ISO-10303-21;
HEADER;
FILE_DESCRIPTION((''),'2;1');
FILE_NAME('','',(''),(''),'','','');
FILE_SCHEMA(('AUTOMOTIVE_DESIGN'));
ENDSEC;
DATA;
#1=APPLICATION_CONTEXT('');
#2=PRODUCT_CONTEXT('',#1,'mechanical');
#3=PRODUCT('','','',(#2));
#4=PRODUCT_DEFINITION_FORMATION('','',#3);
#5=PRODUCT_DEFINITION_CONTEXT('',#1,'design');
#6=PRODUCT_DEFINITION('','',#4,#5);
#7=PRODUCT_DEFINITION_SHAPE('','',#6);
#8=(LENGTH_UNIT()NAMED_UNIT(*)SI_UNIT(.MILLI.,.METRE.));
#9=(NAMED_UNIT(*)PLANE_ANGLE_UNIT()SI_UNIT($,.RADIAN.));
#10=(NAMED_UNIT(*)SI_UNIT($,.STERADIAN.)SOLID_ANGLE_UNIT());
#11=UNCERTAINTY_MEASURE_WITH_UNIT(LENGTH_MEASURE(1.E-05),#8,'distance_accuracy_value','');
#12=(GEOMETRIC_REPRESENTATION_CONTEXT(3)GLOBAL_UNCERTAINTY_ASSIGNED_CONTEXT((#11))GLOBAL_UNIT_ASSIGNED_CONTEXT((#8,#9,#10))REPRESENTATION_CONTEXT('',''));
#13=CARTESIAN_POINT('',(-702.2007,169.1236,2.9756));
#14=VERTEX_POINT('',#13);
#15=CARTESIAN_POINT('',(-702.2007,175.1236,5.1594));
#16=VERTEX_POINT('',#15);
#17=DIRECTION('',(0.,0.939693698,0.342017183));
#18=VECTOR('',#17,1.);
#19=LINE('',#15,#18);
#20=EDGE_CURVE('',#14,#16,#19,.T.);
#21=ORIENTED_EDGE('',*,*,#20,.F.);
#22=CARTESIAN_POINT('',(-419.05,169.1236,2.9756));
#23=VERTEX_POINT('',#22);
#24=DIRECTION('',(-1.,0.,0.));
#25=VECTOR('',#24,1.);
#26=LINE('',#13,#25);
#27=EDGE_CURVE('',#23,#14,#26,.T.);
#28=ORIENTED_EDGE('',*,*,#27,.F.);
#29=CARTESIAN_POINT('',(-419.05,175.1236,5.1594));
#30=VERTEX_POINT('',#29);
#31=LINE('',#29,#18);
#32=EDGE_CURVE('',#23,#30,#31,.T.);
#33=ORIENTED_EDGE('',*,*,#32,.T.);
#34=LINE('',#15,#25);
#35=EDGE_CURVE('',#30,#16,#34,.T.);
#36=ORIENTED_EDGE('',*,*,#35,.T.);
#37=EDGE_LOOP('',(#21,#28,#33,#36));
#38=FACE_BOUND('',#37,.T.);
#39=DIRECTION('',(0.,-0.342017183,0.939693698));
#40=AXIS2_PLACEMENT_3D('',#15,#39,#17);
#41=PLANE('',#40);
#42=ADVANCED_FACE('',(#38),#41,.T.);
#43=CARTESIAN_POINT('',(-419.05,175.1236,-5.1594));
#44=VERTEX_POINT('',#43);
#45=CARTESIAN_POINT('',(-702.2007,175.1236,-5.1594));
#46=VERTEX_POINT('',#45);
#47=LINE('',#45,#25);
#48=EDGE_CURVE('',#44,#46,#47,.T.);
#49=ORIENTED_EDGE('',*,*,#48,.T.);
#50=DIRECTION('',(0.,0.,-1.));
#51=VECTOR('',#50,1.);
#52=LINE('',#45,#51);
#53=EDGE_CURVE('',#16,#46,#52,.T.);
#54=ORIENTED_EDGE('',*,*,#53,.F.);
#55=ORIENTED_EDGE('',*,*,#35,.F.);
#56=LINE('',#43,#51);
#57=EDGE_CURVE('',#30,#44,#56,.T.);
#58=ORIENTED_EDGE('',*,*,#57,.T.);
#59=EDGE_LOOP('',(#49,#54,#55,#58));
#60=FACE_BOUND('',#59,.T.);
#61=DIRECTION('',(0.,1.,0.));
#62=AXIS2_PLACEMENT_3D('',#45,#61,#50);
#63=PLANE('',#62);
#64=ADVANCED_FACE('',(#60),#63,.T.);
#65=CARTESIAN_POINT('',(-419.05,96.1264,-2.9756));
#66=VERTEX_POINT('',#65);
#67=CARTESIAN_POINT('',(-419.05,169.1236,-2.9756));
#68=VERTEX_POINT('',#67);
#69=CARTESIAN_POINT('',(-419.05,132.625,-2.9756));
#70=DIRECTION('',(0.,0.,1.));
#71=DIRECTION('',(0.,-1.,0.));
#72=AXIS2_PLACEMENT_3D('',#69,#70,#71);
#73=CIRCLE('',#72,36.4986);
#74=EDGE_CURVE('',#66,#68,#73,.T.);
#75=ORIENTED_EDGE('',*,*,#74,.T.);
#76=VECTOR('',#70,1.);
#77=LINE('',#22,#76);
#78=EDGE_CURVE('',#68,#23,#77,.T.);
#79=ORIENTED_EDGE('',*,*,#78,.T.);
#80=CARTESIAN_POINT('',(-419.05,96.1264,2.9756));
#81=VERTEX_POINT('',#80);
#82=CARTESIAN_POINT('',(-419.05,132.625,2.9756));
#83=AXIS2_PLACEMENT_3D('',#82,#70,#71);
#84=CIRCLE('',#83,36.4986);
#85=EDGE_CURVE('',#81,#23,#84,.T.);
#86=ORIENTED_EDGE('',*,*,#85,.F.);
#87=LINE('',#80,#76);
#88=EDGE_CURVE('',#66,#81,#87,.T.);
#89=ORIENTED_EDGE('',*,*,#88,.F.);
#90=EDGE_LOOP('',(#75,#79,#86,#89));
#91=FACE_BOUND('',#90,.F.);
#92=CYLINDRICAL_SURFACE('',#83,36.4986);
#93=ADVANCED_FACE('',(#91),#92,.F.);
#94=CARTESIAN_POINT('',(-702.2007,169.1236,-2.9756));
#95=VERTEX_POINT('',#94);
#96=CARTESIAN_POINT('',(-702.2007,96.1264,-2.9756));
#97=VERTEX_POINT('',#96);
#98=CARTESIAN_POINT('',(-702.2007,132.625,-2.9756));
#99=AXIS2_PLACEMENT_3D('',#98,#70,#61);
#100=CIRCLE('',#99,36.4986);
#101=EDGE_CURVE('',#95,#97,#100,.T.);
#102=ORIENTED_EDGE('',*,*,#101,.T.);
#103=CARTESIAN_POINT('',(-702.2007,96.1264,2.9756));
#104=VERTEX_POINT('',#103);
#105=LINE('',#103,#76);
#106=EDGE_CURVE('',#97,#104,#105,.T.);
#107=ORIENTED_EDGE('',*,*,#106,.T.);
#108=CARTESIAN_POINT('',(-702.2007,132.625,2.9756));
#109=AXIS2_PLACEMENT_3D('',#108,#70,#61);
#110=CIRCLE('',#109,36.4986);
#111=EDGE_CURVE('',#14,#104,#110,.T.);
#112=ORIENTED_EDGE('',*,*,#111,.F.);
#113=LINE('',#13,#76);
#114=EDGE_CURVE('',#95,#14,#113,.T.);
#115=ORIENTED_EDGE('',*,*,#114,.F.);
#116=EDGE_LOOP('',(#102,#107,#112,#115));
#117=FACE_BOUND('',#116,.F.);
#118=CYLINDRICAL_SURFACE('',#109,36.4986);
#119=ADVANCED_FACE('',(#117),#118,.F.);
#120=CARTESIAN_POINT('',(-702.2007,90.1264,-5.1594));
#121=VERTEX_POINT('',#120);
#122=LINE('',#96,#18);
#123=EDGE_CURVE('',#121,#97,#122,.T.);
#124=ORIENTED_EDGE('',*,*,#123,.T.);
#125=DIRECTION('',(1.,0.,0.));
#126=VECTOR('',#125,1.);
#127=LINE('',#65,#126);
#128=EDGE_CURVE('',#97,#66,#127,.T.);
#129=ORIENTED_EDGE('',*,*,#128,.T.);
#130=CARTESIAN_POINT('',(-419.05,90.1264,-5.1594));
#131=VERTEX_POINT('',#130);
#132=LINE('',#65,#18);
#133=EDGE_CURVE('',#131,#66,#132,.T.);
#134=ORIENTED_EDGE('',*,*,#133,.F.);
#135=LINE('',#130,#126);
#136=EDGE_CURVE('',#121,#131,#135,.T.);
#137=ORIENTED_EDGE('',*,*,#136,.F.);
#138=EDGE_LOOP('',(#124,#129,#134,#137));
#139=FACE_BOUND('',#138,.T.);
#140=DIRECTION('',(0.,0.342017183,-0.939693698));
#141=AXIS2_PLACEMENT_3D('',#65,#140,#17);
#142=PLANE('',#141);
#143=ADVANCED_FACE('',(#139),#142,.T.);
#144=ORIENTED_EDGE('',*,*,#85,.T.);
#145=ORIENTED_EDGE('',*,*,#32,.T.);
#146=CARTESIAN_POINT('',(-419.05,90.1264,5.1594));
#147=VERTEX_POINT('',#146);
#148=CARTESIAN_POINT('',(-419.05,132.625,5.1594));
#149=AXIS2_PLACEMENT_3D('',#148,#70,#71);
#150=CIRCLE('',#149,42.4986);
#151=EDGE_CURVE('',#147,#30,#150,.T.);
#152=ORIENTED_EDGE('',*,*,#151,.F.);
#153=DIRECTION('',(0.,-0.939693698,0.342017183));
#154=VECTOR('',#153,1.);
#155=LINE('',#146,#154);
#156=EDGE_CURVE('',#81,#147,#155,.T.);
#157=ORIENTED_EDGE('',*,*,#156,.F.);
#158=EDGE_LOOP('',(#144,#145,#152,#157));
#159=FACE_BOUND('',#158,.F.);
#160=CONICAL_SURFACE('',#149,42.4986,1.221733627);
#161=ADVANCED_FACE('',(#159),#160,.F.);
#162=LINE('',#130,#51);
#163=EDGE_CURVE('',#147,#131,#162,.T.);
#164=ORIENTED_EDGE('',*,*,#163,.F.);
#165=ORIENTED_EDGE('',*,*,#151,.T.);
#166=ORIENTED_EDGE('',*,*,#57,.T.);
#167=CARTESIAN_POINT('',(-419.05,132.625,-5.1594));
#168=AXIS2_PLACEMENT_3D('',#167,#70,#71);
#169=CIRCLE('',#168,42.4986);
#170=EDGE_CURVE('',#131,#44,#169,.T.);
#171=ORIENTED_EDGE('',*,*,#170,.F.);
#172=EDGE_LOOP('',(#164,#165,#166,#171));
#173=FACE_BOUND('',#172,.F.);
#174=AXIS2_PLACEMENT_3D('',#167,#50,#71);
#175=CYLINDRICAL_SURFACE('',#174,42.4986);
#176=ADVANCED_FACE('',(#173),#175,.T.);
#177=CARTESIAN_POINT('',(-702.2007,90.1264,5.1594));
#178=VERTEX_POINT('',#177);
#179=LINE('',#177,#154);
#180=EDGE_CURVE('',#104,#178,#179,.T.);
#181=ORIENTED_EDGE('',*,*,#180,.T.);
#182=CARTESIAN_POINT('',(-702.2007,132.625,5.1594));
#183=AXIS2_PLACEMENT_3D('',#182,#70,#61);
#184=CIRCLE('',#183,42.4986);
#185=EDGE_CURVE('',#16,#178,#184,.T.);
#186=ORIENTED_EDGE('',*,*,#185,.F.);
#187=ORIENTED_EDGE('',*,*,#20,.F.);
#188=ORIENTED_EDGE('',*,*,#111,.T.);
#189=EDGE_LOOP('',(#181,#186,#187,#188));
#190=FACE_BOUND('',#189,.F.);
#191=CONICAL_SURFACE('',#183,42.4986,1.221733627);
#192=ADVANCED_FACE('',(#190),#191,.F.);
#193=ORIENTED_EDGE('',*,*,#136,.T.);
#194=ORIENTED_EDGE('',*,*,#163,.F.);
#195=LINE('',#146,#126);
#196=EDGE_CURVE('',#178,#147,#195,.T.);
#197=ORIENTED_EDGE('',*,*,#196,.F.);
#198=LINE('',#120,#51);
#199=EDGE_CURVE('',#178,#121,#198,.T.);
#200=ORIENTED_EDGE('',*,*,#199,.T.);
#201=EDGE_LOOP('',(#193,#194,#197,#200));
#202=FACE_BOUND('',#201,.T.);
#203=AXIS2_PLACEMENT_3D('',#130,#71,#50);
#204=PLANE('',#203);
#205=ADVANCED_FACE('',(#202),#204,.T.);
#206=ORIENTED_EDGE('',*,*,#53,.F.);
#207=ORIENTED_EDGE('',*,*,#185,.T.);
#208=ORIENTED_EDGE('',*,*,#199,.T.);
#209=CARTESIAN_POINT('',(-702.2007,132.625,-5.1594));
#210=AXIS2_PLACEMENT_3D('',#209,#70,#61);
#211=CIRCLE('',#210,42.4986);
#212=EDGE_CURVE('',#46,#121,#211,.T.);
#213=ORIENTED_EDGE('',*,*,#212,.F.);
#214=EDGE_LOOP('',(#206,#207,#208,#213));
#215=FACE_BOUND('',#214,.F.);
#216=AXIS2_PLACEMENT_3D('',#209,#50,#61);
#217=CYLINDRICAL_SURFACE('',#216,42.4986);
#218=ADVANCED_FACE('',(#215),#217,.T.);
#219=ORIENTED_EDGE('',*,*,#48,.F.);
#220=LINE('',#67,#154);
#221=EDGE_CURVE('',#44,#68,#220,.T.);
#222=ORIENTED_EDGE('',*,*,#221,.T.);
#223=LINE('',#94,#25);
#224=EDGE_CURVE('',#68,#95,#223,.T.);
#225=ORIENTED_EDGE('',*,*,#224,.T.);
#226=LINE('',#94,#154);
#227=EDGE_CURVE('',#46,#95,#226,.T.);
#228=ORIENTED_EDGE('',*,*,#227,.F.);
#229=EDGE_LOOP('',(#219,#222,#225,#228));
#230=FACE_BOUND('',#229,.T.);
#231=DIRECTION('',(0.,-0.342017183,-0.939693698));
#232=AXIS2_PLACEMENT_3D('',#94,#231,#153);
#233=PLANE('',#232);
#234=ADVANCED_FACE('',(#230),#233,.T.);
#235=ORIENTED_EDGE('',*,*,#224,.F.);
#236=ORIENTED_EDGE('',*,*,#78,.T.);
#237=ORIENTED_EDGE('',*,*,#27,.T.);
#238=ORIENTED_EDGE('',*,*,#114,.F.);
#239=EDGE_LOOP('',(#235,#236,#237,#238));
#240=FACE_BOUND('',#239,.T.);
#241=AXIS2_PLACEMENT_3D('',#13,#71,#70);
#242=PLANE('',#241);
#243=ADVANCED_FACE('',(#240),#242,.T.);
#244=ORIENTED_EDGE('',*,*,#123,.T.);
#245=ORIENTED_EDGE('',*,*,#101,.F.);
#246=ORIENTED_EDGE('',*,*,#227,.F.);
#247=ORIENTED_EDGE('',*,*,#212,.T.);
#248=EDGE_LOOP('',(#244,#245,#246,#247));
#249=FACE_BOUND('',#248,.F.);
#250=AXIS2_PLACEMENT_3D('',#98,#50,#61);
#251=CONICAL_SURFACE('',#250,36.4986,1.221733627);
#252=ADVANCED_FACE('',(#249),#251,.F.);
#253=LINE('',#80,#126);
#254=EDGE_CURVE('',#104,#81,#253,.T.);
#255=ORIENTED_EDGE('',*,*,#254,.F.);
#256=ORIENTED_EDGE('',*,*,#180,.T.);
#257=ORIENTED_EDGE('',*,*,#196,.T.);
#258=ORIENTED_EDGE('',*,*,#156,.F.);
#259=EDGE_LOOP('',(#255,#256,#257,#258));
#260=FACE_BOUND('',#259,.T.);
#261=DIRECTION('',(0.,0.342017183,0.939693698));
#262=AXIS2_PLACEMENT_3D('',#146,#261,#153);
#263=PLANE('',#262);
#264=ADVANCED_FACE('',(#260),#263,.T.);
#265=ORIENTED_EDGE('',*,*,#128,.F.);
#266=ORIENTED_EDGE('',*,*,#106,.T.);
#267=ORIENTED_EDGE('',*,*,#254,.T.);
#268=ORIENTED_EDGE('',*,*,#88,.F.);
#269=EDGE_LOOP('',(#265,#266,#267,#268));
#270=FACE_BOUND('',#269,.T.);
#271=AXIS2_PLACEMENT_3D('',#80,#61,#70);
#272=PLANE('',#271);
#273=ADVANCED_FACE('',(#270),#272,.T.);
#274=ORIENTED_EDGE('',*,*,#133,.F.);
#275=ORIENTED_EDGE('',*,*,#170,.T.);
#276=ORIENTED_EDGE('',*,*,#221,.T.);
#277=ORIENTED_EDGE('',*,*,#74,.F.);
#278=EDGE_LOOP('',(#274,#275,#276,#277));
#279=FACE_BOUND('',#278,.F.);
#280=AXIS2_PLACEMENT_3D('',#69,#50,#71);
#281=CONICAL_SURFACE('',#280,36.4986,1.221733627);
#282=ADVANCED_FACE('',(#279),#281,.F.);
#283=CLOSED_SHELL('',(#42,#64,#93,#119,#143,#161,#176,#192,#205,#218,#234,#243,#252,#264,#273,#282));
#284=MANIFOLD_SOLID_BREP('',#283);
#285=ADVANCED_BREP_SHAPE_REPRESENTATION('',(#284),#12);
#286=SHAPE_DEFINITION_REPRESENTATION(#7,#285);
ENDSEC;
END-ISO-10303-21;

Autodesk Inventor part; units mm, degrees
ref_plane "YZ Plane" through (0, 0, 0) normal (1, 0, 0) x (0, 1, 0)
ref_plane "XZ Plane" through (0, 0, 0) normal (0, 1, 0) x (-1, 0, 0)
sketch "Sketch Path" plane through (0, 0, 0) normal (0, 0, 1) x (1, 0, 0)
  arc A0 (-419.05, 92.625) -> (-419.05, 172.625) centre (-419.05, 132.625) ccw
  arc A1 (-702.2007, 172.625) -> (-702.2007, 92.625) centre (-702.2007, 132.625) ccw
  line L0 (-702.2007, 172.625) -> (-419.05, 172.625)
  line L1 (-419.05, 92.625) -> (-702.2007, 92.625)
ref_plane "Cross Section Plane" through (-419.05, 172.625, 0) normal (-1, 0, 0) x (0, 0, 1)
sketch "Cross Section" plane through (-419.05, 172.625, 0) normal (-1, 0, 0) x (0, 0, 1)
  line L0 (0, 2.4986) -> (0, -3.5014) construction
  line L1 (-4.25, 0) -> (4.25, 0) construction
  line L2 (-5.1594, 2.4986) -> (5.1594, 2.4986)
  line L3 (5.1594, 2.4986) -> (2.9756, -3.5014)
  line L4 (2.9756, -3.5014) -> (-2.9756, -3.5014)
  line L5 (-2.9756, -3.5014) -> (-5.1594, 2.4986)
  point P0 (0, 0)
  point P1 (0, 0)
  point P2 (0, 0)
  dimension "d0" = 8.5
  dimension "d1" = 2.4986
  dimension "d2" = 40
  dimension "d3" = 6
sweep "Belt" add profiles "Cross Section" path "Sketch Path"
equation "\"d0\" = da_Bw"
equation "\"d1\" = da_Hw"
equation "\"d2\" = da_Alfa"
equation "\"d3\" = da_H"
equation "\"da_Alfa\" = 40deg"
equation "\"da_H\" = 6"
equation "\"da_Bw\" = 8.5"
equation "\"da_Hw\" = 2.49859"
properties part number "V-Belt" material "Rubber"
